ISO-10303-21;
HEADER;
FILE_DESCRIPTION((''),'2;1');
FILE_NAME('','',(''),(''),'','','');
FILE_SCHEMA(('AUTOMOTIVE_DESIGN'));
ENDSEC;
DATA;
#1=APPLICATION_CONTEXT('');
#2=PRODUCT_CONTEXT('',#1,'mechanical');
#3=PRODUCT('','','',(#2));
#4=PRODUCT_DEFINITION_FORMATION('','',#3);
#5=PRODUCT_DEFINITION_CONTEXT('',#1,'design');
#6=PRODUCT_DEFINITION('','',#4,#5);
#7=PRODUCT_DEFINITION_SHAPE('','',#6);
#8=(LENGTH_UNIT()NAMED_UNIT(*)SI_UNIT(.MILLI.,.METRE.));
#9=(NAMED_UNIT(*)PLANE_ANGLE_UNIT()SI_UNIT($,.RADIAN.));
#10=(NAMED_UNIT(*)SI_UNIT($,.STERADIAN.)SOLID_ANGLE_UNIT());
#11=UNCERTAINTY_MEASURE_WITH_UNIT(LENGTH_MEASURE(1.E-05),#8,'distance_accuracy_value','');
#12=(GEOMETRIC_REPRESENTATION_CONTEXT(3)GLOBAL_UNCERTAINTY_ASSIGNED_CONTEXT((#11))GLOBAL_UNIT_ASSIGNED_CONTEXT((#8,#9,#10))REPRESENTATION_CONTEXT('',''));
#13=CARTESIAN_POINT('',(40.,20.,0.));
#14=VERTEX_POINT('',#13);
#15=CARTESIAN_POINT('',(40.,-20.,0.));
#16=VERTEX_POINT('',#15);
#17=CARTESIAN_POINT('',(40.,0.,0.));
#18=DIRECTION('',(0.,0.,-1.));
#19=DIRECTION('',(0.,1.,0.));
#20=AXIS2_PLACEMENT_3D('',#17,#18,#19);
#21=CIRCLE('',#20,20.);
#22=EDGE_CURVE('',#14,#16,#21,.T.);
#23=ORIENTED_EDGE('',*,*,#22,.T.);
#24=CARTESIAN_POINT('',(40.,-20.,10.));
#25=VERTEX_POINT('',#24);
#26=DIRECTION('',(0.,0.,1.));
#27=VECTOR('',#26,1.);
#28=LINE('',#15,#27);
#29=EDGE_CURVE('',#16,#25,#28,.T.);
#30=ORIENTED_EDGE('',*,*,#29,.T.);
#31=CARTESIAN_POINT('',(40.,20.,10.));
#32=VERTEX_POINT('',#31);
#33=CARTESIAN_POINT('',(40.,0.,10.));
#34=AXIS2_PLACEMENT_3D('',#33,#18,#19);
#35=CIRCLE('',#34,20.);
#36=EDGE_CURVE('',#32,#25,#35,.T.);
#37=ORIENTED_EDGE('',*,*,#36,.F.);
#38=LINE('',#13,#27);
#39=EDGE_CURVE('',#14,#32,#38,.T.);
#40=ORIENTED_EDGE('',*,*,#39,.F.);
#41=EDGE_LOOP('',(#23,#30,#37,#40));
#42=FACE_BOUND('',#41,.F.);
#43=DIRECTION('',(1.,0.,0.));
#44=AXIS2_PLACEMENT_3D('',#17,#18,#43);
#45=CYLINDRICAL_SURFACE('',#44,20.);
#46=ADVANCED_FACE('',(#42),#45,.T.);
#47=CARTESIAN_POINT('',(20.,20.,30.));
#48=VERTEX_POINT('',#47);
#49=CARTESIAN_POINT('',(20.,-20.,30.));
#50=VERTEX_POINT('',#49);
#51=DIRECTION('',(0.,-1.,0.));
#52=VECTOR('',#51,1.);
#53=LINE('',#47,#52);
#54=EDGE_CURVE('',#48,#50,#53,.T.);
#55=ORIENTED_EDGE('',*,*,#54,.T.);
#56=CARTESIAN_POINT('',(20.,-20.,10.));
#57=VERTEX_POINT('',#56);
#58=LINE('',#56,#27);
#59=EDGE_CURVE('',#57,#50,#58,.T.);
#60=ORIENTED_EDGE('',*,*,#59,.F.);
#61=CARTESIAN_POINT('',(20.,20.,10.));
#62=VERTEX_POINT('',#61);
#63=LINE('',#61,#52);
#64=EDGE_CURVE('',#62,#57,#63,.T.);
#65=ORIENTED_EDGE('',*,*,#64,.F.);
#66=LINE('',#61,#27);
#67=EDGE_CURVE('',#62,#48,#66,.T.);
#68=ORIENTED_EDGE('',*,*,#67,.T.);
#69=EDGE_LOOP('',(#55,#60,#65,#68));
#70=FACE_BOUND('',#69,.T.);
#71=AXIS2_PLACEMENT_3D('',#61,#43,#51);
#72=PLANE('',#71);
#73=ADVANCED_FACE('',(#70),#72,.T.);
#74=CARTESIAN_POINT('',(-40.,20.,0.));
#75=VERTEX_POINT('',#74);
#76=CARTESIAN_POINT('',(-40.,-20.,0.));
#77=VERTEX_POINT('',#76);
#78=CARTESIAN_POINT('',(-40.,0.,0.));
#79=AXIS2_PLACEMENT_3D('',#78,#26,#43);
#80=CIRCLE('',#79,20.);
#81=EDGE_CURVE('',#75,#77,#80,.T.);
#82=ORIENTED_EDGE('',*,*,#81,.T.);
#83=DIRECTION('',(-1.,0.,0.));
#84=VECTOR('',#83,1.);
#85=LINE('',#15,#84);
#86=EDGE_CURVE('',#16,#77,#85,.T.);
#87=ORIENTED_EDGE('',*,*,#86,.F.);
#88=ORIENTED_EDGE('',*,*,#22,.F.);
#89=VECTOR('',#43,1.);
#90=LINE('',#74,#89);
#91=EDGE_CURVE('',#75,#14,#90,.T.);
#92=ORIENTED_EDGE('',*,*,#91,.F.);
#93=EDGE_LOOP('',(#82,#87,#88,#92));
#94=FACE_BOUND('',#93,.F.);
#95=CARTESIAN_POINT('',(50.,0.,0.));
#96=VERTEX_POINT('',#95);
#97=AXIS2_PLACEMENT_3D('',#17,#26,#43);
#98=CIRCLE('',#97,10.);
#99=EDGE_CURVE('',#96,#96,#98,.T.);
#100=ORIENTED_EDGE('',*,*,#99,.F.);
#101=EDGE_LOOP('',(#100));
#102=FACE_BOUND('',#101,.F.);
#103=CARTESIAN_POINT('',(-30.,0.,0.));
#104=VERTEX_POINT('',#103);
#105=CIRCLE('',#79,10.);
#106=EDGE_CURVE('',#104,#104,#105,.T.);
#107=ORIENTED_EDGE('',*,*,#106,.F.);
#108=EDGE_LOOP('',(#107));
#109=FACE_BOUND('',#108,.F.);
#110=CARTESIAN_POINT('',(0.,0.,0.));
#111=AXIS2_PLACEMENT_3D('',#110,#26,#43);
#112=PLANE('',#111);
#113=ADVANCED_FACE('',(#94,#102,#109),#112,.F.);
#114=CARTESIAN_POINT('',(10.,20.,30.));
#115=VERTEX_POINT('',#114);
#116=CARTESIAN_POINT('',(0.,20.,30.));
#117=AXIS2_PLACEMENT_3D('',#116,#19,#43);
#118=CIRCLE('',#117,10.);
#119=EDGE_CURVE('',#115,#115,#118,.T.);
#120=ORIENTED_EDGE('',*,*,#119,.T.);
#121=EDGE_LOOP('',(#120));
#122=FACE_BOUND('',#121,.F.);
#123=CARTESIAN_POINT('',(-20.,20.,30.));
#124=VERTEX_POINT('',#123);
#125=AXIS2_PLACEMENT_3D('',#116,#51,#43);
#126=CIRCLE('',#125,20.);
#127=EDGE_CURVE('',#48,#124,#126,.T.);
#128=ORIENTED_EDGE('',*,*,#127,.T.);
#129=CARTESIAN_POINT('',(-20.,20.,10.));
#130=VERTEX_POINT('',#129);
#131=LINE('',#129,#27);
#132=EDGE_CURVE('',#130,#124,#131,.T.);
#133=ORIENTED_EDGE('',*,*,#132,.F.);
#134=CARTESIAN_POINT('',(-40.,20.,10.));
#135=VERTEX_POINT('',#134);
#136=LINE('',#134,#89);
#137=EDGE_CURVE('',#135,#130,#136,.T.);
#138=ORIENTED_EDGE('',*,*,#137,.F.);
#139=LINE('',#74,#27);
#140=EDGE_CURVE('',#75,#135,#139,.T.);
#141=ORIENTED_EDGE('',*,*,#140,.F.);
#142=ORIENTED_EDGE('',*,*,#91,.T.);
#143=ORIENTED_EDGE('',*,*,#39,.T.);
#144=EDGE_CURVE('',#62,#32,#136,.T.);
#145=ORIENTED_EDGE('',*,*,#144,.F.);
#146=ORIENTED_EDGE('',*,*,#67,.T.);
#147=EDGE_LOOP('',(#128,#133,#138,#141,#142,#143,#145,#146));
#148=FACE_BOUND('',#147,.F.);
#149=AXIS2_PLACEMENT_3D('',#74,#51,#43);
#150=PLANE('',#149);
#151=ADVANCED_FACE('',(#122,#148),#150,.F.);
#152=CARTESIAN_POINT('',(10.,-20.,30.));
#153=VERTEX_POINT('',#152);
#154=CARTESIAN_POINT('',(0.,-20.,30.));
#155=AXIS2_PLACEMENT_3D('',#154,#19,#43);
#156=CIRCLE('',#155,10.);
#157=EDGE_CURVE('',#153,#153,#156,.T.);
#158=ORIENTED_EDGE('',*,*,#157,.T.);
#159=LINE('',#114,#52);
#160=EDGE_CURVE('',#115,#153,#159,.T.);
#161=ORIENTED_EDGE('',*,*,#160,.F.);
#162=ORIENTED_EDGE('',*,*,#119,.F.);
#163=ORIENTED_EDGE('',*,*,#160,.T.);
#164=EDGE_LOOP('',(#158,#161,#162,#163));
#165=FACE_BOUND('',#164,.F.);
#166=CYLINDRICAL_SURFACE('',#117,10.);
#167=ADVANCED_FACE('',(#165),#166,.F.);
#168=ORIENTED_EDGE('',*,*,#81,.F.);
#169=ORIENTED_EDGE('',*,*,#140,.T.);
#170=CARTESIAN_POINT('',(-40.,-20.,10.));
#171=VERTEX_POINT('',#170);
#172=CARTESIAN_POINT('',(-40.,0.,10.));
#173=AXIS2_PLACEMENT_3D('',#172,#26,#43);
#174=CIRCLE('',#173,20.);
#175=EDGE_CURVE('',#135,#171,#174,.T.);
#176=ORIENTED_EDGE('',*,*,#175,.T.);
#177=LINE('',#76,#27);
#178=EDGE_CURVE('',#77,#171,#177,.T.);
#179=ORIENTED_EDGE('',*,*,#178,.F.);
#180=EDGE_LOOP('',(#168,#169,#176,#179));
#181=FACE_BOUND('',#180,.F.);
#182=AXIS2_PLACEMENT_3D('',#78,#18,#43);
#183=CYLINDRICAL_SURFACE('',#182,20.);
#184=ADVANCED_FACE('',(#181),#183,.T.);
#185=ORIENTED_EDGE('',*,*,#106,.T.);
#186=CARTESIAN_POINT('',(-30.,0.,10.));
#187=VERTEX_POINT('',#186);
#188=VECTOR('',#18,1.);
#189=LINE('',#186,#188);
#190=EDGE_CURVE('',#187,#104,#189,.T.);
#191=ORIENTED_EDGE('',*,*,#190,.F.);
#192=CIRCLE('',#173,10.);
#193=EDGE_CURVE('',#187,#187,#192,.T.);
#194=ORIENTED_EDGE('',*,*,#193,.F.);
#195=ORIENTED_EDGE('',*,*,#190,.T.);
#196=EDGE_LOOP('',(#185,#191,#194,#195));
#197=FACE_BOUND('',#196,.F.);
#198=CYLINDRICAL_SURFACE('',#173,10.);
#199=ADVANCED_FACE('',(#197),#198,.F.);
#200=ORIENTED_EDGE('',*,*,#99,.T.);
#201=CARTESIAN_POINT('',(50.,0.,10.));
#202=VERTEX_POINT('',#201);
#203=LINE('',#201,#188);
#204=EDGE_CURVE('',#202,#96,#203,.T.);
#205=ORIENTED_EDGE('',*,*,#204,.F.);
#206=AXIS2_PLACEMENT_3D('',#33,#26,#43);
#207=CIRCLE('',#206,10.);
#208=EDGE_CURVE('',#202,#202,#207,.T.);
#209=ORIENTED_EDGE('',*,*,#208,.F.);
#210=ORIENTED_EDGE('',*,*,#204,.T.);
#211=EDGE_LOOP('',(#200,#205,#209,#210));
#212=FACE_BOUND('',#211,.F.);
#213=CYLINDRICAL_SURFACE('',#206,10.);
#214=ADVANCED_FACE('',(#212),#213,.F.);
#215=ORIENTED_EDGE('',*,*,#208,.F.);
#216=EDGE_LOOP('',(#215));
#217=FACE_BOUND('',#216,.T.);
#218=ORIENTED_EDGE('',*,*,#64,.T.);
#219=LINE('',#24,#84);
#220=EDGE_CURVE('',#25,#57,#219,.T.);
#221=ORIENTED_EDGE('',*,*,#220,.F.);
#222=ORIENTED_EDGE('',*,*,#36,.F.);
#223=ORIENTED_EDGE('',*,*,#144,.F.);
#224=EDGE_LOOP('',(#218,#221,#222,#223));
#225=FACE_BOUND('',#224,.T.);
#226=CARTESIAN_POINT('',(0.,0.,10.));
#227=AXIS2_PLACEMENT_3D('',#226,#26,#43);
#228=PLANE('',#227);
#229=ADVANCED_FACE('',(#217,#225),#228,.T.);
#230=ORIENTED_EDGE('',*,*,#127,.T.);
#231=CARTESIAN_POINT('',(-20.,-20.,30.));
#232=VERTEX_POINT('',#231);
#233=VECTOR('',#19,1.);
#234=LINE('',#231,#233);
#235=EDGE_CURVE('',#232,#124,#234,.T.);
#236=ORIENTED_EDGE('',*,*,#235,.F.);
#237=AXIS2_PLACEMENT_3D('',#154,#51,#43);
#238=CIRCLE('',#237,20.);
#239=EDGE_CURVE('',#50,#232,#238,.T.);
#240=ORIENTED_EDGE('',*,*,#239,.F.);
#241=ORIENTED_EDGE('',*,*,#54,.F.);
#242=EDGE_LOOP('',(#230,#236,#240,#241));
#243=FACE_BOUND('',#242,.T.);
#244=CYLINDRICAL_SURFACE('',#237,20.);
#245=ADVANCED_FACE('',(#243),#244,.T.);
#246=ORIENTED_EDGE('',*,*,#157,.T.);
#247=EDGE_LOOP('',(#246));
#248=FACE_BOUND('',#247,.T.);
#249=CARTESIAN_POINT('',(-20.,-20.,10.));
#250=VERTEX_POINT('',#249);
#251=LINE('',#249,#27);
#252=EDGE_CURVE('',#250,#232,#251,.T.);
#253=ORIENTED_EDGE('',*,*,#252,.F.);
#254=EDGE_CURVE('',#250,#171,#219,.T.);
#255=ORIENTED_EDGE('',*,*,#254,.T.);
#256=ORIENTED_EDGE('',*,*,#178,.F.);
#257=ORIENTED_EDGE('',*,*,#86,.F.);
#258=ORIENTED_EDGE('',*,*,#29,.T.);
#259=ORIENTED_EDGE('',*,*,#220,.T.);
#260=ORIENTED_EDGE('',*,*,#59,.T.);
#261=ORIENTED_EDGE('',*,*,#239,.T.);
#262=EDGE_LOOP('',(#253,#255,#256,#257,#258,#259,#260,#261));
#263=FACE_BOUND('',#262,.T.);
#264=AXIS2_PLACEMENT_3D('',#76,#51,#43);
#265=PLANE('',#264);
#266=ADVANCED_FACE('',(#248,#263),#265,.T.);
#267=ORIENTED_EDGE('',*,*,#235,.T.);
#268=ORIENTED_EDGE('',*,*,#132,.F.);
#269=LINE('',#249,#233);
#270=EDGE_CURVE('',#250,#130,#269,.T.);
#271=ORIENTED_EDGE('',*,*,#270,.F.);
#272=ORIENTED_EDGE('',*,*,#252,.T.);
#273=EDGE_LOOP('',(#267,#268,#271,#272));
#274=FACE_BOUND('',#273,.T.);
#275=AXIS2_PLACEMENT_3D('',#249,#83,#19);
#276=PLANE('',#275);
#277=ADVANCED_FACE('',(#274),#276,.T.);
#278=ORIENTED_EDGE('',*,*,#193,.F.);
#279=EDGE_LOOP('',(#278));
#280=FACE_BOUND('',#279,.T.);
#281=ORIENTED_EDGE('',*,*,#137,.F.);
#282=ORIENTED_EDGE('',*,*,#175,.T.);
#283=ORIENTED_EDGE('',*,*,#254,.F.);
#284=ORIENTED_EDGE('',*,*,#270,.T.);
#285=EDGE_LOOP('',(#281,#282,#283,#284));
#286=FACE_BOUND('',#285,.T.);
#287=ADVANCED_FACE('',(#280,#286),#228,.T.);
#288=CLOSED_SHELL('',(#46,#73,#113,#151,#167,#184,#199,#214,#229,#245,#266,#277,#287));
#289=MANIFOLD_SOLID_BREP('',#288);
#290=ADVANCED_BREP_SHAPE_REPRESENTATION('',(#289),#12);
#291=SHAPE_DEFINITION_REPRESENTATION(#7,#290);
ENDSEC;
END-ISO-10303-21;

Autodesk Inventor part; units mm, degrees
ref_plane "YZ Plane" through (0, 0, 0) normal (1, 0, 0) x (0, 1, 0)
ref_plane "XZ Plane" through (0, 0, 0) normal (0, 1, 0) x (-1, 0, 0)
ref_plane "XY Plane" through (0, 0, 0) normal (0, 0, 1) x (1, 0, 0)
sketch "Sketch1" plane through (0, 0, 0) normal (0, 0, 1) x (1, 0, 0)
  line L0 (-40, 20) -> (40, 20)
  line L1 (40, 20) -> (40, -20)
  line L2 (40, -20) -> (-40, -20)
  line L3 (-40, -20) -> (-40, 20)
  line L4 (-40, 20) -> (40, -20) construction
  line L5 (40, 20) -> (-40, -20) construction
  circle A0 centre (-40, 0) radius 10
  circle A1 centre (-40, 0) radius 20
  circle A2 centre (40, 0) radius 10
  circle A3 centre (40, 0) radius 20
  point P0 (0, 0)
  dimension "d0" = 80
  dimension "d1" = 40
  dimension "d2" = 20
  dimension "d3" = 40
  dimension "d4" = 20
  dimension "d5" = 40
extrude "Extrusion1" add sketch "Sketch1" along normal blind 10
sketch "Sketch2" plane through (0, 0, 10) normal (0, 0, 1) x (1, 0, 0)
  arc A0 (-40, 20) -> (-40, -20) centre (-40, 0) ccw projected
  circle A1 centre (-40, 0) radius 10
  arc A2 (40, -20) -> (40, 20) centre (40, 0) ccw projected
  circle A3 centre (40, 0) radius 10
  line L0 (-20, -20) -> (20, -20)
  line L1 (20, -20) -> (20, 20)
  line L2 (20, 20) -> (-20, 20)
  line L3 (-20, 20) -> (-20, -20)
  line L4 (-20, -20) -> (20, 20) construction
  line L5 (20, -20) -> (-20, 20) construction
  point P0 (0, 0)
  dimension "d8" = 20
  dimension "d9" = 20
  dimension "d10" = 40
  dimension "d11" = 40
extrude "Extrusion2" cut sketch "Sketch2" against normal blind 10 contours A1 | A3
sketch "Sketch3" plane through (0, 0, 10) normal (0, 0, 1) x (1, 0, 0)
  line L0 (-20, 20) -> (20, 20)
  line L1 (20, 20) -> (20, -20)
  line L2 (20, -20) -> (-20, -20)
  line L3 (-20, -20) -> (-20, 20)
  line L4 (-20, 20) -> (20, -20) construction
  line L5 (20, 20) -> (-20, -20) construction
  point P0 (0, 0)
  dimension "d14" = 40
  dimension "d15" = 40
extrude "Extrusion3" add sketch "Sketch3" along normal blind 20
sketch "Sketch4" plane through (-40, -20, 0) normal (0, -1, 0) x (1, 0, 0)
  line L0 (60, 30) -> (20, 30) projected
  circle A0 centre (40, 30) radius 20
  point P0 (40, 0)
  dimension "d18" = 40
extrude "Extrusion4" add sketch "Sketch4" against normal blind 40 contours L0 A0 picked at (46.4729, 31.5954)
sketch "Sketch5" plane through (-40, 20, 0) normal (0, 1, 0) x (1, 0, 0)
  arc A0 (20, -30) -> (60, -30) centre (40, -30) ccw projected
  circle A1 centre (40, -30) radius 10
  point P0 (40, 0)
  dimension "d21" = 20
extrude "Extrusion5" cut sketch "Sketch5" against normal blind 40
properties part number "T1 - Darnnel Gonzalez"
